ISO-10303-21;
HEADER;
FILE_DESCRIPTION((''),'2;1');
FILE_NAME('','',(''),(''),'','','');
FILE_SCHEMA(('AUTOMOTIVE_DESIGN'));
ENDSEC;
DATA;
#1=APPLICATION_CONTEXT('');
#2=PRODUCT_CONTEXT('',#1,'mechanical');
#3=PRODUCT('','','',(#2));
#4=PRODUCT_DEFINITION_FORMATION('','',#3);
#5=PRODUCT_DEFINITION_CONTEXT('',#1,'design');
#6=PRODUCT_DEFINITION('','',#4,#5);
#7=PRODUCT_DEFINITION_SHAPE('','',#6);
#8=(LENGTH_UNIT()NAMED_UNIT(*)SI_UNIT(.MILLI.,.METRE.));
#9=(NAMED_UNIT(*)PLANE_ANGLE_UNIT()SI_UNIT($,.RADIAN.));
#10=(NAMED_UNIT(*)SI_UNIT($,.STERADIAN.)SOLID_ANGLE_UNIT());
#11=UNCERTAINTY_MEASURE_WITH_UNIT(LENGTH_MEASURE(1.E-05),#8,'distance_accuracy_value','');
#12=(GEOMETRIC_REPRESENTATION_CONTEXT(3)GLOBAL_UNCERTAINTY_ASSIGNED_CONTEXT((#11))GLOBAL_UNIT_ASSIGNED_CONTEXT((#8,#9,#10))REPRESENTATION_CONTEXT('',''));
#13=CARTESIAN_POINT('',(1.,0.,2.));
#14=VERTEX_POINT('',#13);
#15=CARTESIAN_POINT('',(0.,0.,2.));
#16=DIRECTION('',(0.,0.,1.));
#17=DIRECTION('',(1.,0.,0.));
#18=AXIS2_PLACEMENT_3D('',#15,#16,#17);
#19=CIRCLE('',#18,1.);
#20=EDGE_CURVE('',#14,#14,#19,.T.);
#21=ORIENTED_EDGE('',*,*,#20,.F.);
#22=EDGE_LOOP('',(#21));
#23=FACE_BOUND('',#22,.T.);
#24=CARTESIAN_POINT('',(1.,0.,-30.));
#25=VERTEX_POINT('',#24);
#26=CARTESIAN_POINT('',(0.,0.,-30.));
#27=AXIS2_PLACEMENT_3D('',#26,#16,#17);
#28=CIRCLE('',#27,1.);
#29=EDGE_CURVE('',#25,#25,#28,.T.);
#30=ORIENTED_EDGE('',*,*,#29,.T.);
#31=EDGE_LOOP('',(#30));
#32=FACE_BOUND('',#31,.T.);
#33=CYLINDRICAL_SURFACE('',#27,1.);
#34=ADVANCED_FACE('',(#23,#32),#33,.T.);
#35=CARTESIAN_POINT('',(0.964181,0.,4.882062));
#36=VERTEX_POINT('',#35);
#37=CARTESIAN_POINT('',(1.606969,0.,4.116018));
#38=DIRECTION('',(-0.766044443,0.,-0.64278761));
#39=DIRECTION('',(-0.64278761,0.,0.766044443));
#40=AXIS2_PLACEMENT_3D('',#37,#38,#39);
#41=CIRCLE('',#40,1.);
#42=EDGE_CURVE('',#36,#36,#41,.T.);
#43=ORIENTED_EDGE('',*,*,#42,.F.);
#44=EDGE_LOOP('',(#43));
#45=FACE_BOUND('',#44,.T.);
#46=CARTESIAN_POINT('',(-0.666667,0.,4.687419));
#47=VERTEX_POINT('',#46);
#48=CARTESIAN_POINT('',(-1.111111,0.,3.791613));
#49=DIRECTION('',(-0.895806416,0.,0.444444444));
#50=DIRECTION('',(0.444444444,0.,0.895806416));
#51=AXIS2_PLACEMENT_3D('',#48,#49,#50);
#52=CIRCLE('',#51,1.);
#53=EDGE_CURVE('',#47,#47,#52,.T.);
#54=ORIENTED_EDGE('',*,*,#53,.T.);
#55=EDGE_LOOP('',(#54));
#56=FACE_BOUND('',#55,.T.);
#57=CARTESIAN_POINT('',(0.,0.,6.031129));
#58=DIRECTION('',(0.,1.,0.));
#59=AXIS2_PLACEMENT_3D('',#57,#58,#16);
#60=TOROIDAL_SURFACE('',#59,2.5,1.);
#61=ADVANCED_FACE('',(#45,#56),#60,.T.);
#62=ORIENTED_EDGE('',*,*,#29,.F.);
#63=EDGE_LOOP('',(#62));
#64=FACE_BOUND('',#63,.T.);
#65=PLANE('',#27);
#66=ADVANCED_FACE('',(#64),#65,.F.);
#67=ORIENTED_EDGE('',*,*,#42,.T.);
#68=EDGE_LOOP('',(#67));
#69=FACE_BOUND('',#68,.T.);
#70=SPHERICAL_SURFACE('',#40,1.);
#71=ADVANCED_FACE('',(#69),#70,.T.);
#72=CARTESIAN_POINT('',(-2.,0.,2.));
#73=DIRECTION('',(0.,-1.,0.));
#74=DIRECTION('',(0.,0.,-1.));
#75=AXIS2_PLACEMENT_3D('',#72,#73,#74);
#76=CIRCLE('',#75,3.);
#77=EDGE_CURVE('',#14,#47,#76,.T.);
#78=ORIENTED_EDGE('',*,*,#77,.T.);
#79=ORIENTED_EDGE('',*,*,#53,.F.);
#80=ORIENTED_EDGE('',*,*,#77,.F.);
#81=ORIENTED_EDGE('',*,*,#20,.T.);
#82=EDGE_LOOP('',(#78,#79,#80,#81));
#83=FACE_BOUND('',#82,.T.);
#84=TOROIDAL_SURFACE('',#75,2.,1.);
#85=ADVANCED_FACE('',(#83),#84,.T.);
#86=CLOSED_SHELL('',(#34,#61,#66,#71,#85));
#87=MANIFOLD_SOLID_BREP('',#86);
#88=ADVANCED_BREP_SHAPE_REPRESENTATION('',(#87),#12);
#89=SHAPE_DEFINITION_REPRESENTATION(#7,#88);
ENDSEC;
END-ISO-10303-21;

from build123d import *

# Parameters (mm, degrees)
SKETCH1_R           = 1
BOSS_EXTRUDE1_DEPTH = 30
SKETCH1_2_R         = 1
DOME2_FACE_RADIUS   = 1
DOME2_HEIGHT        = 1


with BuildPart() as part:
    # Sketch1 → Boss-Extrude1 (new body)
    with BuildSketch(Plane.XY):
        Circle(SKETCH1_R)
    extrude(amount=-BOSS_EXTRUDE1_DEPTH)

    # Sweep1: sweep along a path in Sketch3
    with BuildLine(Plane(origin=(0, 0, 0), x_dir=(1, 0, 0), z_dir=(0, 1, 0))) as sweep1_path:
        Line((0, 0), (0, -2))
        ThreePointArc((0, -2), (-0.300326829, -3.054092553), (-1.111111111, -3.791612833))
        ThreePointArc((-1.111111111, -3.791612833), (-0.29627421, -8.513511116), (1.606969024, -4.116017766))
    # Sketch1<2> → Sweep1 (sweep)
    with BuildSketch(Plane.XY):
        Circle(SKETCH1_2_R)
    sweep(path=sweep1_path.line)

    # Dome2: a dome of height H over a round flat face of radius A is a cap of a sphere of radius (A * A + H * H) / (2 * H)
    dome2_r = (DOME2_FACE_RADIUS * DOME2_FACE_RADIUS + DOME2_HEIGHT * DOME2_HEIGHT) / (2 * DOME2_HEIGHT)
    dome2_base = Plane((1.606969024, 0, 4.116017766), z_dir=(-0.766044443119, 0, -0.642787609687))
    with Locations(dome2_base.offset(DOME2_HEIGHT - dome2_r)):
        dome2_ball = Sphere(dome2_r, mode=Mode.PRIVATE)
    add(split(dome2_ball, bisect_by=dome2_base, keep=Keep.TOP, mode=Mode.PRIVATE))


solid = part.part
